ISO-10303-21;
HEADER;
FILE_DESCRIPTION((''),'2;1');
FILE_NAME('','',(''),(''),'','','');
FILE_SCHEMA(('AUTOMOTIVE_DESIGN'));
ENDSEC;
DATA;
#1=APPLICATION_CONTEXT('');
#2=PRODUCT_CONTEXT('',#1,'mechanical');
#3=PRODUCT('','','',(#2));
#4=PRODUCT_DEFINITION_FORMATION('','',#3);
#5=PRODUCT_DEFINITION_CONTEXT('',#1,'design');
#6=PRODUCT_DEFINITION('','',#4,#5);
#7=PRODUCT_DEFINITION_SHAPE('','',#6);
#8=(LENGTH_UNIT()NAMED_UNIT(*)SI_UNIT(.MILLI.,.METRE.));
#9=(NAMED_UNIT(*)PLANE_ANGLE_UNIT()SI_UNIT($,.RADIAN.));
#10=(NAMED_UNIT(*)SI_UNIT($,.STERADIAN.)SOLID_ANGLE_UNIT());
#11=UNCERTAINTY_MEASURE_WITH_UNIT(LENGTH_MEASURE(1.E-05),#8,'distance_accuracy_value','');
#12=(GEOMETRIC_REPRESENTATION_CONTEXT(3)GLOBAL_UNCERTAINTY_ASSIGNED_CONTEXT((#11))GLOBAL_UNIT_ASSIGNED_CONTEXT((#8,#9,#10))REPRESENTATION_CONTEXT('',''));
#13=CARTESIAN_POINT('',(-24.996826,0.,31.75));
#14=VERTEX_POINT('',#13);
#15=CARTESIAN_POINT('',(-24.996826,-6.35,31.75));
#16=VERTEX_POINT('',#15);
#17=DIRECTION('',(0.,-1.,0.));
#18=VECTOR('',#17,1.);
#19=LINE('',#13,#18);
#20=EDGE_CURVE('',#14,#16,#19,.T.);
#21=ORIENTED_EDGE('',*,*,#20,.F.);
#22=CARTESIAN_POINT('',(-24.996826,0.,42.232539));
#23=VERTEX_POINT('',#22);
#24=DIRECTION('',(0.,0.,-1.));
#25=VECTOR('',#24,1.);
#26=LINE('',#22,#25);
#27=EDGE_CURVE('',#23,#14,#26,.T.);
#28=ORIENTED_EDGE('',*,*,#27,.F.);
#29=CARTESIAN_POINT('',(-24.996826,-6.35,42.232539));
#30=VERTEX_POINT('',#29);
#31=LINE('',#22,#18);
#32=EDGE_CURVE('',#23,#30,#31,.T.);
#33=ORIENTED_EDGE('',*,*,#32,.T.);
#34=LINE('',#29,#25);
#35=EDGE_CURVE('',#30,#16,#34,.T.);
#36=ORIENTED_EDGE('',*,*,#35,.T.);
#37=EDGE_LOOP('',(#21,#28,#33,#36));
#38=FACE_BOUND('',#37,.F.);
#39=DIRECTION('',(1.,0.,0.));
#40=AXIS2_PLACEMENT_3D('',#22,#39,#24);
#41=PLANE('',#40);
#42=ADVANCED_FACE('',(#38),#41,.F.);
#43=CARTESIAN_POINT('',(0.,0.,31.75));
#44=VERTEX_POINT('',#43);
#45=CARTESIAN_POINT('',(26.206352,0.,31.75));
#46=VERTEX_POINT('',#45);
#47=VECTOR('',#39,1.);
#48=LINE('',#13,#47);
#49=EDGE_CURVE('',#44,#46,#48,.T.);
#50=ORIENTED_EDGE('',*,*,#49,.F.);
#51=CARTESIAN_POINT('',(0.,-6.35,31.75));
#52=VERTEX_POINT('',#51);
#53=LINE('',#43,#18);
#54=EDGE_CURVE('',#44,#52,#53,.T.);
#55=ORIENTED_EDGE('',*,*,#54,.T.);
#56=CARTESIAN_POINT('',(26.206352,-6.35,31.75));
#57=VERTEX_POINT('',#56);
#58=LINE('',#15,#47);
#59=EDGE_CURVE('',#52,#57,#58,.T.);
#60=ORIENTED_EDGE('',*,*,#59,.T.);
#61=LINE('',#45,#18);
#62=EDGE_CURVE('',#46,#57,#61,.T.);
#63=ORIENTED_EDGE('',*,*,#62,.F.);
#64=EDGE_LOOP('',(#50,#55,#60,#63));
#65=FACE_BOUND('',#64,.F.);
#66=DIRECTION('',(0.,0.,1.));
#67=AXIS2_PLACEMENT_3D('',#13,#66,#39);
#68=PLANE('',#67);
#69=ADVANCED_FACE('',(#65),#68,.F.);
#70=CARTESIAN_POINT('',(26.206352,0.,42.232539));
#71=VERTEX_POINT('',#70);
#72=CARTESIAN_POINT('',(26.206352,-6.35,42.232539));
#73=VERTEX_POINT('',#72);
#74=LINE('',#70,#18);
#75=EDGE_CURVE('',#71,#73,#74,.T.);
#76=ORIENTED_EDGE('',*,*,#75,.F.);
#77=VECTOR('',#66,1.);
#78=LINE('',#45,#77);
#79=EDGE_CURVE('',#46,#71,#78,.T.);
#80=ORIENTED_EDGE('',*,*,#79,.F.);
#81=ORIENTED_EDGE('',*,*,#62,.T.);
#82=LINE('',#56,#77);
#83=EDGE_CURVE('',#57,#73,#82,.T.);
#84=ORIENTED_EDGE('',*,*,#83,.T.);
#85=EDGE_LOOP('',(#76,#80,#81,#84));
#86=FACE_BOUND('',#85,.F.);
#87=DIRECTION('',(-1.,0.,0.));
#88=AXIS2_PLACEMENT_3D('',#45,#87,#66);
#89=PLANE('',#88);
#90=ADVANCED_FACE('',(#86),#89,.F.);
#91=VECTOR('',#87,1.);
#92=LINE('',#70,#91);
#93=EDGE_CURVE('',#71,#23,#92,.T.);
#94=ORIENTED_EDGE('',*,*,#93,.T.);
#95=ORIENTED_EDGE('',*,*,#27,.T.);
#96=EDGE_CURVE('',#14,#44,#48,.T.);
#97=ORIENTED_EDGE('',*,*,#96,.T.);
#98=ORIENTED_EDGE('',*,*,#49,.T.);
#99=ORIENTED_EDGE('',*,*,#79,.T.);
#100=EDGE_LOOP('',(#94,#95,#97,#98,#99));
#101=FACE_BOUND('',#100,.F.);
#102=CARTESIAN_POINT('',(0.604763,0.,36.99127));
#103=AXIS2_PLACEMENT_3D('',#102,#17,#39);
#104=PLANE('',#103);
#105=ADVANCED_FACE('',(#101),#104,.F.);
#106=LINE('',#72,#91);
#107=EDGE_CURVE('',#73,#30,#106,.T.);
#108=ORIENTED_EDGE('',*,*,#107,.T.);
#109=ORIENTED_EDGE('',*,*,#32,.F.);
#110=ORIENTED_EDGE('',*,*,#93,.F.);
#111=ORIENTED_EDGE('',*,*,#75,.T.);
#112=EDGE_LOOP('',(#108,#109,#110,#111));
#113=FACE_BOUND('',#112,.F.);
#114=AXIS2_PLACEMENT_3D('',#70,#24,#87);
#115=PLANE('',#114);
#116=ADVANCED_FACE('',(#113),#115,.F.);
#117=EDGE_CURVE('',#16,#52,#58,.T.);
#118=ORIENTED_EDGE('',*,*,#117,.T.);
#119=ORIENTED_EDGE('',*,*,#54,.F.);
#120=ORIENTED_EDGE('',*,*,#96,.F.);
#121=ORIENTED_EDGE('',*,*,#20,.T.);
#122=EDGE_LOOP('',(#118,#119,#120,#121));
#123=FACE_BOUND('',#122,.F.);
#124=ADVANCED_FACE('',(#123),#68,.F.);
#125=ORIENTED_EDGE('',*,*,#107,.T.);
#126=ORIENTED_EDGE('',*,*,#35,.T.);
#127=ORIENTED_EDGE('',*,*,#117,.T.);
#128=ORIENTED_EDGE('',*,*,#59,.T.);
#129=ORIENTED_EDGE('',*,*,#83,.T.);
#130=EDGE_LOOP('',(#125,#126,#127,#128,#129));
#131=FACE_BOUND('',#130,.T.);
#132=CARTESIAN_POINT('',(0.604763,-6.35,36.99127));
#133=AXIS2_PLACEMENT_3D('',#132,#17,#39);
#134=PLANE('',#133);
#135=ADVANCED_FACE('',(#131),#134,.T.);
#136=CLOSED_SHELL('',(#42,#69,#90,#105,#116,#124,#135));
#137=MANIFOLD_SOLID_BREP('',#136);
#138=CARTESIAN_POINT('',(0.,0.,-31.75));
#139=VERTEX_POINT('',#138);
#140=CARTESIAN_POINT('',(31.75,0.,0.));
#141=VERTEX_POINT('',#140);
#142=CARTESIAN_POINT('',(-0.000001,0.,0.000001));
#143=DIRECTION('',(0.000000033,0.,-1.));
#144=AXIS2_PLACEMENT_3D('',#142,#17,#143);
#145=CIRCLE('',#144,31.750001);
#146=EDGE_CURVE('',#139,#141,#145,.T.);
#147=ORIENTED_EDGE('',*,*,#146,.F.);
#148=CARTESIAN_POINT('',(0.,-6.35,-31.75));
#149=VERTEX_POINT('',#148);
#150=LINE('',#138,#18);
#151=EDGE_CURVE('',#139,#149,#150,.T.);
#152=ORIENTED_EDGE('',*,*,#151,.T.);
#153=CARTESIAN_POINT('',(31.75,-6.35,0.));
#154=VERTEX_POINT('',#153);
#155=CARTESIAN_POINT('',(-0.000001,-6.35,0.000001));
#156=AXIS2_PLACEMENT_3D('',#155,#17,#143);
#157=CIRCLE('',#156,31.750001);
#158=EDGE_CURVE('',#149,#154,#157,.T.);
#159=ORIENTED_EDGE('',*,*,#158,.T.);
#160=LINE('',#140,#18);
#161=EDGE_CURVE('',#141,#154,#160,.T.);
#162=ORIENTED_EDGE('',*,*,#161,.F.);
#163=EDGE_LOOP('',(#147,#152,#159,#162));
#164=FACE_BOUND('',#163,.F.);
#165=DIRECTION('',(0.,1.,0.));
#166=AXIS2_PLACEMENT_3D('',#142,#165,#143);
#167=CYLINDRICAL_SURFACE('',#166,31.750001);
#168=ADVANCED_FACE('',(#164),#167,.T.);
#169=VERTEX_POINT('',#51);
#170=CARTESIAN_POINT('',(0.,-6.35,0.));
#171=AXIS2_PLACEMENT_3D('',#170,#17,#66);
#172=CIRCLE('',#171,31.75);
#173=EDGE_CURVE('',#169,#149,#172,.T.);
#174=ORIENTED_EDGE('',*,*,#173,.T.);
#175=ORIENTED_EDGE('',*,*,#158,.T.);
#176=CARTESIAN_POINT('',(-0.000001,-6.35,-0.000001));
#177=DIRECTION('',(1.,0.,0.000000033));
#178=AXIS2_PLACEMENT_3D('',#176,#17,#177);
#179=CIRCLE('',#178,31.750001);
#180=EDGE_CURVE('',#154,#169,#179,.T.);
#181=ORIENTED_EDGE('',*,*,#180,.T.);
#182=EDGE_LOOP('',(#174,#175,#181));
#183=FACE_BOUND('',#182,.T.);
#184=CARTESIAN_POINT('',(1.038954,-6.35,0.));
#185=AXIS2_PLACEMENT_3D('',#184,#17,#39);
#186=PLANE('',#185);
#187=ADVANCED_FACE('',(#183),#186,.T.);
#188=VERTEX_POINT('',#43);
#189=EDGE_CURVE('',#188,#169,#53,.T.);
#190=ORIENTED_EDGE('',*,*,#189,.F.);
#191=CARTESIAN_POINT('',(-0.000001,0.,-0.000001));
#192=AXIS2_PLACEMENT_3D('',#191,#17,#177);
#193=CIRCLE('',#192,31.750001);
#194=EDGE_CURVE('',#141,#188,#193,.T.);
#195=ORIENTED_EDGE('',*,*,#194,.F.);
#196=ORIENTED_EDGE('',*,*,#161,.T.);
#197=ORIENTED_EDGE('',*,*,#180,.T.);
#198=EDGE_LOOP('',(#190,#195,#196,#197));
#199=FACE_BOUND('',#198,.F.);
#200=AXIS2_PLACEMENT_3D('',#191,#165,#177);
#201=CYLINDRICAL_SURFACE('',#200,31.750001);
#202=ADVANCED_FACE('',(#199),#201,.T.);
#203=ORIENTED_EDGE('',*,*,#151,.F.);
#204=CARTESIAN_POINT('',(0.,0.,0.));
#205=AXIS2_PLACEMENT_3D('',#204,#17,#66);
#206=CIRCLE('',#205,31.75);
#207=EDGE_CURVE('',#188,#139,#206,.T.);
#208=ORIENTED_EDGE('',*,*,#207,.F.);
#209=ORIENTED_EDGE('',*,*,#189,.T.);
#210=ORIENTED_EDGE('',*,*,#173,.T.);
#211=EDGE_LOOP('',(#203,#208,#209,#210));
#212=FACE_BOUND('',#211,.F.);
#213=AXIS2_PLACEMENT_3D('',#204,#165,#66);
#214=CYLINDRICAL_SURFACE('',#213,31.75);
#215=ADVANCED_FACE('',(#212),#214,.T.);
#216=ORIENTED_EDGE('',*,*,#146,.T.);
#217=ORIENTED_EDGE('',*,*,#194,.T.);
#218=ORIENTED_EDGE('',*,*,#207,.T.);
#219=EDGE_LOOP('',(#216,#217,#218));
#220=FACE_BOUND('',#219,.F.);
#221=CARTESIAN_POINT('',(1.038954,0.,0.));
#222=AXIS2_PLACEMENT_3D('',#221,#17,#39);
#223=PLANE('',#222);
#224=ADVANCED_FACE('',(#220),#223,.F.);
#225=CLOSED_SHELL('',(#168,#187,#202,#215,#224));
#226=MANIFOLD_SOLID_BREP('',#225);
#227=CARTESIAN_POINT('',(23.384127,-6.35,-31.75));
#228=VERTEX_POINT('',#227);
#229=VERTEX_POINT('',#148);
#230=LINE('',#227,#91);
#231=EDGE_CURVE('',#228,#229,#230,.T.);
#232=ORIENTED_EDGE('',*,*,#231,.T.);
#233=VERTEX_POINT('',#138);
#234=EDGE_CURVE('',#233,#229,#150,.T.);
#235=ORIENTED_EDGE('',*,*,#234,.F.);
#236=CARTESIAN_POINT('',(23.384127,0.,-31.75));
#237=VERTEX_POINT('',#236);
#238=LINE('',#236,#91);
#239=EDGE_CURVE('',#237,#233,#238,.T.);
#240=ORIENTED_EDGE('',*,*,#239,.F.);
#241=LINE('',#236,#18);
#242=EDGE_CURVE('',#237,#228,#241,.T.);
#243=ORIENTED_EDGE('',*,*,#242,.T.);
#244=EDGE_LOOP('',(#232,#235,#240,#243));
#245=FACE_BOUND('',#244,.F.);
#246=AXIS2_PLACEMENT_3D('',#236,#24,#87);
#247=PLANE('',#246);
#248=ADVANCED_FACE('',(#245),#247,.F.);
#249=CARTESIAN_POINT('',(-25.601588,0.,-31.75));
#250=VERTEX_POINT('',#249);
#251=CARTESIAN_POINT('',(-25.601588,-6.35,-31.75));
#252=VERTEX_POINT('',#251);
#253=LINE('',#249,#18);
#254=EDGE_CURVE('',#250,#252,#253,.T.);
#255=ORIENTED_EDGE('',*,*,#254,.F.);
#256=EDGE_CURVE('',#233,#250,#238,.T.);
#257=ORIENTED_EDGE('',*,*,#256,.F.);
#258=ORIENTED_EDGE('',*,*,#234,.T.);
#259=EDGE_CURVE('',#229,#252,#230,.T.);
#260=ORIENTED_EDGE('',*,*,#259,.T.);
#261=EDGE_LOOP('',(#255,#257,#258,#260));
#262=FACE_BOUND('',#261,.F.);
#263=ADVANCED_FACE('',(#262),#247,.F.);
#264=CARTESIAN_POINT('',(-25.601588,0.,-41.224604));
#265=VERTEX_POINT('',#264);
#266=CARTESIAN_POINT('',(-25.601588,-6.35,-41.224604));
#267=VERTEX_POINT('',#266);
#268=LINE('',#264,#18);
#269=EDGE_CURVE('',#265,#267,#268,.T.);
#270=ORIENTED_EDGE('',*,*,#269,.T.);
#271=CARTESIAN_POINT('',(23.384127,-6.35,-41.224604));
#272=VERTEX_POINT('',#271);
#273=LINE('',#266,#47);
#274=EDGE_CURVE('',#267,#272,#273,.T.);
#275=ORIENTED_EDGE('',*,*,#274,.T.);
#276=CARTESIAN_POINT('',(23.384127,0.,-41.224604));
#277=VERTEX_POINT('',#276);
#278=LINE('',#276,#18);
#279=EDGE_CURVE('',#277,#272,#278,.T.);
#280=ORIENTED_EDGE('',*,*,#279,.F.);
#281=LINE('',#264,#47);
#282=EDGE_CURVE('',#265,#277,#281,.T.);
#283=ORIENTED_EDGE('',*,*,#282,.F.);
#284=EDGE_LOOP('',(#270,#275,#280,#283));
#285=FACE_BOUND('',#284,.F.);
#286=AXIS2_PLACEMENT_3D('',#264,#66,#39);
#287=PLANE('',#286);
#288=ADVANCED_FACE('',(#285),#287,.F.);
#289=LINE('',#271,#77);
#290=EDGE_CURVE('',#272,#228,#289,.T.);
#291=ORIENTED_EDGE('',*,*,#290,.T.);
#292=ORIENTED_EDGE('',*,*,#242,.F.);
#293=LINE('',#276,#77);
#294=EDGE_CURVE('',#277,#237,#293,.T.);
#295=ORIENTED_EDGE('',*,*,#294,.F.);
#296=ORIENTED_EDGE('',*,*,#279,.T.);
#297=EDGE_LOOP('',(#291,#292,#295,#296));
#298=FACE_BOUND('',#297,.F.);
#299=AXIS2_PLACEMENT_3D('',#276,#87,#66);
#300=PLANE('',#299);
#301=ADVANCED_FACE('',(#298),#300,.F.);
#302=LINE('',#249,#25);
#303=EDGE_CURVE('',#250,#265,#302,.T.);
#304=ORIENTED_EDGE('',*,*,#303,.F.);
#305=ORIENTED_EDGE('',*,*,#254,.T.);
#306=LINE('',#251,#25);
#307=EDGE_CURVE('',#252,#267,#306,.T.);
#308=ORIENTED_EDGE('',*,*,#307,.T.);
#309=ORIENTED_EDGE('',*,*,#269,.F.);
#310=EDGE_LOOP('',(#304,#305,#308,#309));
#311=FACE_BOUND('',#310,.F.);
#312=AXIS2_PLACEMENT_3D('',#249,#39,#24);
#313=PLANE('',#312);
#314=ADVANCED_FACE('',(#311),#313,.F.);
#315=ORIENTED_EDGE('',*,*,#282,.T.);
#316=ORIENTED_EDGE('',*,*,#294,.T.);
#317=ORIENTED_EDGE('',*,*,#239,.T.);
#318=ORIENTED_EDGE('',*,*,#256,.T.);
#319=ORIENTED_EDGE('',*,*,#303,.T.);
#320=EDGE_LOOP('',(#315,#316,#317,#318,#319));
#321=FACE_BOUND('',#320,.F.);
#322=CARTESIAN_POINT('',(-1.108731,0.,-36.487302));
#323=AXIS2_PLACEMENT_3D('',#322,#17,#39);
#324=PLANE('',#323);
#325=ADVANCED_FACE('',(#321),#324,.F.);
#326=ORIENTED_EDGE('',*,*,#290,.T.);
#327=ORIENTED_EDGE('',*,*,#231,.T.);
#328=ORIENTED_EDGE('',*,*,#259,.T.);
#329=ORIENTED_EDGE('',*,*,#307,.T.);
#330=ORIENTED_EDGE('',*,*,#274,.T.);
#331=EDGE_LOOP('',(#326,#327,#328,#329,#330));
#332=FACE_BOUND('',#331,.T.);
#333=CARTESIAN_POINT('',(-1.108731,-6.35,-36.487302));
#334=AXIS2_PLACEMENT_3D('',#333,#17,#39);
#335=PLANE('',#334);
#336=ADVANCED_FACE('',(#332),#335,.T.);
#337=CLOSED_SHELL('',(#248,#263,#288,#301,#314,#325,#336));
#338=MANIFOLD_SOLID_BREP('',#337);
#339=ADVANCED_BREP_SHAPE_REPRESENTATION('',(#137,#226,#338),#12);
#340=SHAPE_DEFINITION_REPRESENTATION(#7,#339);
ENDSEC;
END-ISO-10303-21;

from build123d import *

# Parameters (mm, degrees)
F1_DEPTH = 6.35
F2_DEPTH = 6.35
F3_DEPTH = 6.35


with BuildPart() as f1:
    # F0 (on Front) → F1 (new body)
    with BuildSketch(Plane.XZ):
        with BuildLine():
            ThreePointArc((0, -31.75), (22.45064, -22.45064), (31.75, 0))
            ThreePointArc((31.75, 0), (22.45064, 22.45064), (0, 31.75))
            ThreePointArc((0, 31.75), (-31.75, 0), (0, -31.75))
        make_face()
    extrude(amount=F1_DEPTH)

    # F0 (on Front) → F2 (join)
    with BuildSketch(Plane.XZ):
        Polygon((-24.996826, 31.75), (0, 31.75), (26.206352, 31.75), (26.206352, 42.232539), (-24.996826, 42.232539), align=None)
    extrude(amount=F2_DEPTH)

    # F0 (on Front) → F3 (join)
    with BuildSketch(Plane.XZ):
        Polygon((23.384127, -31.75), (0, -31.75), (-25.601588, -31.75), (-25.601588, -41.224604), (23.384127, -41.224604), align=None)
    extrude(amount=F3_DEPTH)


solid = f1.part
